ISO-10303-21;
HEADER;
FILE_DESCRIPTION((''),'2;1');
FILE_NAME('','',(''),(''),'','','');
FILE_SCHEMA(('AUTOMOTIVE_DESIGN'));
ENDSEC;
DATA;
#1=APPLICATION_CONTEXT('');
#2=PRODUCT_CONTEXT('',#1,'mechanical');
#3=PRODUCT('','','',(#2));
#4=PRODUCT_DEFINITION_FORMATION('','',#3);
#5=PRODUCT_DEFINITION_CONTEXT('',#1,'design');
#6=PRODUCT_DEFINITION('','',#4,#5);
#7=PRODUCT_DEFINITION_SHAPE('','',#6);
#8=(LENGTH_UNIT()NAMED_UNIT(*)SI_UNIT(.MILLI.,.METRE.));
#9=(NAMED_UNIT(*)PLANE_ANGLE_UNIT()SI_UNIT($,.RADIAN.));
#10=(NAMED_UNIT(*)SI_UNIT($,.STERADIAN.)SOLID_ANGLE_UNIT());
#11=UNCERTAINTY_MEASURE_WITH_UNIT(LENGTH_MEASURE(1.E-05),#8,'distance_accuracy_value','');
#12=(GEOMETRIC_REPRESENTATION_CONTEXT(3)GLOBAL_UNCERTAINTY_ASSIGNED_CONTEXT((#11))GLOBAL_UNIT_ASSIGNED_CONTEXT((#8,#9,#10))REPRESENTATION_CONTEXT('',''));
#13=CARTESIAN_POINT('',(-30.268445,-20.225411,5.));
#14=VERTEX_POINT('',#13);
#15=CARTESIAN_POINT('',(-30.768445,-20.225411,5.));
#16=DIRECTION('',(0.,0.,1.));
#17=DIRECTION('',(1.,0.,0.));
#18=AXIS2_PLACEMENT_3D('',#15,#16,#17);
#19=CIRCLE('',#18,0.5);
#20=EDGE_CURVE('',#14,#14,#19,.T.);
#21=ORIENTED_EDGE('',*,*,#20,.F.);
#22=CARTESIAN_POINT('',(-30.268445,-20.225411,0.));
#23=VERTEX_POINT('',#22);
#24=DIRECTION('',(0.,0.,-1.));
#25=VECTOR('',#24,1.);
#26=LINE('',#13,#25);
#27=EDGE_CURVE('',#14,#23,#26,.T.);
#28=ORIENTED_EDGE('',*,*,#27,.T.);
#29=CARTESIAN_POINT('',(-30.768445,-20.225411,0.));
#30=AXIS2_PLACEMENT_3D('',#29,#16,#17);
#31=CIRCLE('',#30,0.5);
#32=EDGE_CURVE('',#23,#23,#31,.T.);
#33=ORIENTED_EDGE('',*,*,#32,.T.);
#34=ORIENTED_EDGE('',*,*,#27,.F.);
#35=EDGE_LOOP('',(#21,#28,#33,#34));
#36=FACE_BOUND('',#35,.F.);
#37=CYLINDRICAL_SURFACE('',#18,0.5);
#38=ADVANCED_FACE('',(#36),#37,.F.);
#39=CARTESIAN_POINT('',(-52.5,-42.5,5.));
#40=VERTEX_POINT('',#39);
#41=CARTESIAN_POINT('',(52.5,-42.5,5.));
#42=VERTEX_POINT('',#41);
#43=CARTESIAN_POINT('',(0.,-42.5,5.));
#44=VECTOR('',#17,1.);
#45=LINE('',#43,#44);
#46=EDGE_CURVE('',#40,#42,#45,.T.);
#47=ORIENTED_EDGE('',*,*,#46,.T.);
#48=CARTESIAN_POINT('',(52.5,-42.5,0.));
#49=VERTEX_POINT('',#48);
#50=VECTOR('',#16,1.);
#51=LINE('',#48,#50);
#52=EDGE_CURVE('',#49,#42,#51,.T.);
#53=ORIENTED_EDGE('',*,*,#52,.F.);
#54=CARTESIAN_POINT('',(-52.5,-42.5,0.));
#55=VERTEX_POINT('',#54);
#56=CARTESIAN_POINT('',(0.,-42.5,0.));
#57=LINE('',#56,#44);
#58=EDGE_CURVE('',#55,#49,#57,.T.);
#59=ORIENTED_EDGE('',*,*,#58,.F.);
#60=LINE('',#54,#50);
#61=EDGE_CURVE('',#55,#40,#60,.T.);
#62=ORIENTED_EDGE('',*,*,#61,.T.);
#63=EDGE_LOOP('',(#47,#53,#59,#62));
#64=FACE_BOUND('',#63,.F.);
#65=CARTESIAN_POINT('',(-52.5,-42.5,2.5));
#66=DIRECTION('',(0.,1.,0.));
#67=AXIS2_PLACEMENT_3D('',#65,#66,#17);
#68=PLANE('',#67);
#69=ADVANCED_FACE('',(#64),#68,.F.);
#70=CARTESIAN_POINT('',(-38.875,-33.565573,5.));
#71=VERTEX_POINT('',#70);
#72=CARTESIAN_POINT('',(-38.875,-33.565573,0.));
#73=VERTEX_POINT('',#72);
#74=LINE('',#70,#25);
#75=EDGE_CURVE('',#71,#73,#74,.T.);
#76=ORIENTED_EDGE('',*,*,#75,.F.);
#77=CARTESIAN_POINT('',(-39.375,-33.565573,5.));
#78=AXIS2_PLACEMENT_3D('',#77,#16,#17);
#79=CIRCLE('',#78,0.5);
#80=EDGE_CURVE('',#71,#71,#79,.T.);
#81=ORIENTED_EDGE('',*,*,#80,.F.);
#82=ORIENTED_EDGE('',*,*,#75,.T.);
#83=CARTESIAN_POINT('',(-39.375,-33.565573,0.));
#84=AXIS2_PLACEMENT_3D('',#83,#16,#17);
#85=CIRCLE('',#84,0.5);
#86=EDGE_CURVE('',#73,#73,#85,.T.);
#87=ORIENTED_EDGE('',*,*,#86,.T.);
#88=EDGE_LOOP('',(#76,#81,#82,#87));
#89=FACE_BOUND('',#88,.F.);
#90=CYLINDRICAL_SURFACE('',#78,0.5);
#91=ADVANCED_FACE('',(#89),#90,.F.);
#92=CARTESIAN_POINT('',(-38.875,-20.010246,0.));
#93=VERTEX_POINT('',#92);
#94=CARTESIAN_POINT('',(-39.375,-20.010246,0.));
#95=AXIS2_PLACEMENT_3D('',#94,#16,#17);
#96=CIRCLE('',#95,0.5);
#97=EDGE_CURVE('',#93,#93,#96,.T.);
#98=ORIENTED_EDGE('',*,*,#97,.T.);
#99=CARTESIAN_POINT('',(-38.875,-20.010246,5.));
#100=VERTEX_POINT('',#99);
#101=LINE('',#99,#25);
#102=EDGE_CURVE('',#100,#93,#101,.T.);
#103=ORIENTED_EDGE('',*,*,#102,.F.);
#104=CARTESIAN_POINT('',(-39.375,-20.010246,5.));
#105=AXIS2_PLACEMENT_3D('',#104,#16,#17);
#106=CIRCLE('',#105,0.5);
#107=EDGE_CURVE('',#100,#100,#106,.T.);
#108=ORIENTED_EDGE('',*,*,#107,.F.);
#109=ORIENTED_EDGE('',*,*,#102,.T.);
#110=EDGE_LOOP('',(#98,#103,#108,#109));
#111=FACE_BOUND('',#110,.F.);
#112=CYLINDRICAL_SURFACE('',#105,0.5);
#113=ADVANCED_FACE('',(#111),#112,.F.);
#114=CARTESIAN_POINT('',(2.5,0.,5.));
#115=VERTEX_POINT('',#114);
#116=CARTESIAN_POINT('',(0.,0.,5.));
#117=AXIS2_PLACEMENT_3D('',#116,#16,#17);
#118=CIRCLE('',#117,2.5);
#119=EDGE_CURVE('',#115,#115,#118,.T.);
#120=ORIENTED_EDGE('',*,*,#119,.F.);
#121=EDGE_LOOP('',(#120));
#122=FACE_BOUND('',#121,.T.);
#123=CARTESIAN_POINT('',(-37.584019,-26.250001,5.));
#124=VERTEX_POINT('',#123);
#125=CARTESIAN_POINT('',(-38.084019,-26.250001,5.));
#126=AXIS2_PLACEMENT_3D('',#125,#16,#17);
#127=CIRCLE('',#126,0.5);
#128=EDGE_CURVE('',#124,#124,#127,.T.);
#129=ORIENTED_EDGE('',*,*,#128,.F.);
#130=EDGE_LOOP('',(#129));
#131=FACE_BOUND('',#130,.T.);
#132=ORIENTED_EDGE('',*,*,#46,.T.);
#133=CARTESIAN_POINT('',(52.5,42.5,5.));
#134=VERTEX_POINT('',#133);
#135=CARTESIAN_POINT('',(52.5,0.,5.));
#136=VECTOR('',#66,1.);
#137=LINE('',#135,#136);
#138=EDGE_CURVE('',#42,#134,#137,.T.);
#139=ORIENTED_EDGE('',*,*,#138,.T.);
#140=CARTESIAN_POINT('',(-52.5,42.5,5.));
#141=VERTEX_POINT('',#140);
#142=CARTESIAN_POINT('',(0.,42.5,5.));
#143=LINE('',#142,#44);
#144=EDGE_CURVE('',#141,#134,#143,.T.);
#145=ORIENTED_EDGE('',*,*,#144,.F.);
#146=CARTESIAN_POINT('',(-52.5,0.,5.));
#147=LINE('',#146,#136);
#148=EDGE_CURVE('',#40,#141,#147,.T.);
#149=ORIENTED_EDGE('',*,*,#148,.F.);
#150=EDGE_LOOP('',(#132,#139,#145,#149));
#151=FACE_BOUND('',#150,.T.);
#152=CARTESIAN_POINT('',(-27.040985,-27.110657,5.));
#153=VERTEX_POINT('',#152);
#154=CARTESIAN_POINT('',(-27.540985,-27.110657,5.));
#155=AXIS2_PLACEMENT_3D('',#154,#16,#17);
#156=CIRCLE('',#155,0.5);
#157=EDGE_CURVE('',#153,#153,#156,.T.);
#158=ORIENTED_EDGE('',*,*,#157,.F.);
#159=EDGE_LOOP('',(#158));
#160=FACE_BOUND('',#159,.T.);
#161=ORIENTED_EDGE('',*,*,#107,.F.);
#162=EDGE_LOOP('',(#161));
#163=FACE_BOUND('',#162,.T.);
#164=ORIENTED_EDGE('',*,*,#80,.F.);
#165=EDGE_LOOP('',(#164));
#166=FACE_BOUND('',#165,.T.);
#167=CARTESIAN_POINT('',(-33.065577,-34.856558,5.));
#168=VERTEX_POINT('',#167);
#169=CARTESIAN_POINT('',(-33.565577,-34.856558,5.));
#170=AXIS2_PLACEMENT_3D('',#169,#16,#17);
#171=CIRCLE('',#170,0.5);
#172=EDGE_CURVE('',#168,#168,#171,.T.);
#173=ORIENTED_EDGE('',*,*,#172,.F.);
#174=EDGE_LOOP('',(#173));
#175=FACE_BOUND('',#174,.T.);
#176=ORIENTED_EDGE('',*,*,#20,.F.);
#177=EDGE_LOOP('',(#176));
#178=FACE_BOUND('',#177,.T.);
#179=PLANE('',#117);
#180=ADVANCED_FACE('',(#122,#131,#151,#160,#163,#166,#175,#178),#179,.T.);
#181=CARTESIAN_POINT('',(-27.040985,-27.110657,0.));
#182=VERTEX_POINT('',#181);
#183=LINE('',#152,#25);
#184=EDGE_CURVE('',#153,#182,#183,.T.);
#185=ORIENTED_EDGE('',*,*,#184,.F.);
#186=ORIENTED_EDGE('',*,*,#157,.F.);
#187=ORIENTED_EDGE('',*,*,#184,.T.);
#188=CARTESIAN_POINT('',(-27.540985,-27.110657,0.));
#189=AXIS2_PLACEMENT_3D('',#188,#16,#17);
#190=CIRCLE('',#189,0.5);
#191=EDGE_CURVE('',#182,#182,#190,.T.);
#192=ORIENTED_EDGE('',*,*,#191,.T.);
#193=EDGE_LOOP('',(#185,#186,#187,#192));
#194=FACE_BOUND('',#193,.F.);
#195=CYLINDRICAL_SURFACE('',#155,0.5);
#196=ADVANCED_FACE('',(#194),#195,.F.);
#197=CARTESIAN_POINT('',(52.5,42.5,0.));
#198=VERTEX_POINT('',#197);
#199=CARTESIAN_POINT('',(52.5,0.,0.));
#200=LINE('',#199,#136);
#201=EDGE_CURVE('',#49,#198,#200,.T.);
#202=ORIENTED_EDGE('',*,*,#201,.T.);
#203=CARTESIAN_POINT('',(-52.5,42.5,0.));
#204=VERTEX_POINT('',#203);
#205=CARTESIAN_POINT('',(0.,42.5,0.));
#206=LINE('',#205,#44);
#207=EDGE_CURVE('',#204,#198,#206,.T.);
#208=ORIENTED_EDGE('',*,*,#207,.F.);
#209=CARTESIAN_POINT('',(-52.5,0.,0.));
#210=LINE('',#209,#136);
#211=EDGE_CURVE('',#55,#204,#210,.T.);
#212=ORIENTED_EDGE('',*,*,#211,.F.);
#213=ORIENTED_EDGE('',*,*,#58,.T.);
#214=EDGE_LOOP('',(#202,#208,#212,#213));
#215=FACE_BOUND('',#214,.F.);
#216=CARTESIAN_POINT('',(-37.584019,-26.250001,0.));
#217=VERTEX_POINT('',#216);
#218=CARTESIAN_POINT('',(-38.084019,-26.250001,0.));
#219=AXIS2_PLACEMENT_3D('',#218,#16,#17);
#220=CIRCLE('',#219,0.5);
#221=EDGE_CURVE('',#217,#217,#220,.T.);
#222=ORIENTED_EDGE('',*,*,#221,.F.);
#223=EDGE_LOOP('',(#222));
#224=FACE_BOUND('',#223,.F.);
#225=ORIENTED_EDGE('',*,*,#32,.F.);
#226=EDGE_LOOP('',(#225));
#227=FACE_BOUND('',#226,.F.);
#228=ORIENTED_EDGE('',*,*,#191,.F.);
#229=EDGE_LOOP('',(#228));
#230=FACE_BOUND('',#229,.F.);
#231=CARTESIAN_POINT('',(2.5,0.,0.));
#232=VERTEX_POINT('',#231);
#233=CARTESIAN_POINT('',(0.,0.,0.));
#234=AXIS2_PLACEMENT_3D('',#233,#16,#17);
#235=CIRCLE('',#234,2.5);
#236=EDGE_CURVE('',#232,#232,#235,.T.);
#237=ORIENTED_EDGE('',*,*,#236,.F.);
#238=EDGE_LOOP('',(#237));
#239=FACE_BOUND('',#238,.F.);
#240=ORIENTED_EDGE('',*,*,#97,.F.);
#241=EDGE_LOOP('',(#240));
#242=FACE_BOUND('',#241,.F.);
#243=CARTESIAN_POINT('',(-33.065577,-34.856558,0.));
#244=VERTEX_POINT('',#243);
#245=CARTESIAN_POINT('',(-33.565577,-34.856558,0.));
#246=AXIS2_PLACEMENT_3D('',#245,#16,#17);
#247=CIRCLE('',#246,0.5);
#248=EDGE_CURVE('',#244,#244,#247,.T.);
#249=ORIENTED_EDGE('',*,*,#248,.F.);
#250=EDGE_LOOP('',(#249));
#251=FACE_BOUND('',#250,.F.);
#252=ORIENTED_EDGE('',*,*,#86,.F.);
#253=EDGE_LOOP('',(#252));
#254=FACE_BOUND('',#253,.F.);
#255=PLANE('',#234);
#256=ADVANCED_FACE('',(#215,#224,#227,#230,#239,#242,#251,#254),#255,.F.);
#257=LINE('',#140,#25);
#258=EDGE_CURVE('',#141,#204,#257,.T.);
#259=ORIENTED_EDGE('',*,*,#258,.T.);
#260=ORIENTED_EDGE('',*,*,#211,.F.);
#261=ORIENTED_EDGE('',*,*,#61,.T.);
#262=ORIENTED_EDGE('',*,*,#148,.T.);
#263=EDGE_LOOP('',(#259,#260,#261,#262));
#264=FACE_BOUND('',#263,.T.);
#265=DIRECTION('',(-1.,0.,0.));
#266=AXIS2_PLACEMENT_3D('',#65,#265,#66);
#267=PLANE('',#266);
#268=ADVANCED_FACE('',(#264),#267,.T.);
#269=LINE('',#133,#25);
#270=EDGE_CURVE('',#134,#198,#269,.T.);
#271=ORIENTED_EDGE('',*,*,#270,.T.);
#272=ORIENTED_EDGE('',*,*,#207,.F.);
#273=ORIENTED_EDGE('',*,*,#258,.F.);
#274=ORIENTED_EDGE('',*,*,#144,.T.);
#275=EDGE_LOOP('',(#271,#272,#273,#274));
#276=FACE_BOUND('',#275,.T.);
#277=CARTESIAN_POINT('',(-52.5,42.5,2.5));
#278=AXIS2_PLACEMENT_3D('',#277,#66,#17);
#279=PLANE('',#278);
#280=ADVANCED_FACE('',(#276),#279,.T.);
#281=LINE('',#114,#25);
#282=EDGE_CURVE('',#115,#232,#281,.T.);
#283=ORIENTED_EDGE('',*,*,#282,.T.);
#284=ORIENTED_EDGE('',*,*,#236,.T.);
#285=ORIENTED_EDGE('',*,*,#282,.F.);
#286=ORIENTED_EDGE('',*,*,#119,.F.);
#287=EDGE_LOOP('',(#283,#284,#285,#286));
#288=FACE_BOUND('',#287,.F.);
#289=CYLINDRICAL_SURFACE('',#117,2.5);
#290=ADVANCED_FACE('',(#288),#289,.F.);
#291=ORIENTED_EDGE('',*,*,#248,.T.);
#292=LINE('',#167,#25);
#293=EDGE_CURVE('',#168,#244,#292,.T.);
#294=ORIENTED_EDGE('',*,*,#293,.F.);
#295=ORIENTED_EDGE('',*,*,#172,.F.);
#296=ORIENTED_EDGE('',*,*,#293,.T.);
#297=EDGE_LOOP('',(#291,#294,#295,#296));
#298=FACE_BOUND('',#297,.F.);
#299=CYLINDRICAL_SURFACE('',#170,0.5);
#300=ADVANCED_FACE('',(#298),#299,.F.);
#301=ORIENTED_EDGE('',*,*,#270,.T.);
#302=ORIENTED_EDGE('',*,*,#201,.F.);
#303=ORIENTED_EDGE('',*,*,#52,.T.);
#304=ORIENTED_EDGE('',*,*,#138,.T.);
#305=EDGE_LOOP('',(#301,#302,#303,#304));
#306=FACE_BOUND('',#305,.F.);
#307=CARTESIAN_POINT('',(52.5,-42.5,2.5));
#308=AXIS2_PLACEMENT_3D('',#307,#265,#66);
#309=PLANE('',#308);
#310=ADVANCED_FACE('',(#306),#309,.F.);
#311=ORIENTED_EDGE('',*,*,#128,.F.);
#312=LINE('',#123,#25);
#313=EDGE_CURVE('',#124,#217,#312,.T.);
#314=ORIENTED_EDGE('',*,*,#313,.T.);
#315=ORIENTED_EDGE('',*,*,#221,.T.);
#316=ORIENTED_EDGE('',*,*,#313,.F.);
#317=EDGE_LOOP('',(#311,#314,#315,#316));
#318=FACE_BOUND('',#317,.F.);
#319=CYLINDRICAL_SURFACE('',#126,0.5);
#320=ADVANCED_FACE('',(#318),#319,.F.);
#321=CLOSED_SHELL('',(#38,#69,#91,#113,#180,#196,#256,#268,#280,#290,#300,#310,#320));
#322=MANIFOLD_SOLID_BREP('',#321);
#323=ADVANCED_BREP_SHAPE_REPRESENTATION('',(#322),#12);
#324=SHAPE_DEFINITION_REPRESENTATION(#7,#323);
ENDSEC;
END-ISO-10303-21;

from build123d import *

# Parameters (mm, degrees)
F0_W      = 105
F0_H      = 85
F1_DEPTH  = 2.5
F1_FACE_W = 105
F1_FACE_H = 85
F2_DEPTH  = 2.5
F3_R      = 2.5
F3_R_2    = 0.5
F4_DEPTH  = 25


with BuildPart() as f1:
    # F0 (on Top) → F1 (new body)
    with BuildSketch(Plane.XY):
        Rectangle(F0_W, F0_H)
    extrude(amount=F1_DEPTH)

    # F1_face (on face) → F2 (join)
    with BuildSketch(Plane.XY.offset(2.5)):
        Rectangle(F1_FACE_W, F1_FACE_H)
    extrude(amount=F2_DEPTH)

    # F3 (on face) → F4 (cut)
    with BuildSketch(Plane.XY.offset(5)):
        Circle(F3_R)
        with Locations((-38.084019, -26.250001)):
            Circle(F3_R_2)
        with Locations((-27.540985, -27.110657)):
            Circle(F3_R_2)
        with Locations((-30.768445, -20.225411)):
            Circle(F3_R_2)
        with Locations((-39.375, -20.010246)):
            Circle(F3_R_2)
        with Locations((-33.565577, -34.856558)):
            Circle(F3_R_2)
        with Locations((-39.375, -33.565573)):
            Circle(F3_R_2)
    extrude(amount=-F4_DEPTH, mode=Mode.SUBTRACT)


solid = f1.part
